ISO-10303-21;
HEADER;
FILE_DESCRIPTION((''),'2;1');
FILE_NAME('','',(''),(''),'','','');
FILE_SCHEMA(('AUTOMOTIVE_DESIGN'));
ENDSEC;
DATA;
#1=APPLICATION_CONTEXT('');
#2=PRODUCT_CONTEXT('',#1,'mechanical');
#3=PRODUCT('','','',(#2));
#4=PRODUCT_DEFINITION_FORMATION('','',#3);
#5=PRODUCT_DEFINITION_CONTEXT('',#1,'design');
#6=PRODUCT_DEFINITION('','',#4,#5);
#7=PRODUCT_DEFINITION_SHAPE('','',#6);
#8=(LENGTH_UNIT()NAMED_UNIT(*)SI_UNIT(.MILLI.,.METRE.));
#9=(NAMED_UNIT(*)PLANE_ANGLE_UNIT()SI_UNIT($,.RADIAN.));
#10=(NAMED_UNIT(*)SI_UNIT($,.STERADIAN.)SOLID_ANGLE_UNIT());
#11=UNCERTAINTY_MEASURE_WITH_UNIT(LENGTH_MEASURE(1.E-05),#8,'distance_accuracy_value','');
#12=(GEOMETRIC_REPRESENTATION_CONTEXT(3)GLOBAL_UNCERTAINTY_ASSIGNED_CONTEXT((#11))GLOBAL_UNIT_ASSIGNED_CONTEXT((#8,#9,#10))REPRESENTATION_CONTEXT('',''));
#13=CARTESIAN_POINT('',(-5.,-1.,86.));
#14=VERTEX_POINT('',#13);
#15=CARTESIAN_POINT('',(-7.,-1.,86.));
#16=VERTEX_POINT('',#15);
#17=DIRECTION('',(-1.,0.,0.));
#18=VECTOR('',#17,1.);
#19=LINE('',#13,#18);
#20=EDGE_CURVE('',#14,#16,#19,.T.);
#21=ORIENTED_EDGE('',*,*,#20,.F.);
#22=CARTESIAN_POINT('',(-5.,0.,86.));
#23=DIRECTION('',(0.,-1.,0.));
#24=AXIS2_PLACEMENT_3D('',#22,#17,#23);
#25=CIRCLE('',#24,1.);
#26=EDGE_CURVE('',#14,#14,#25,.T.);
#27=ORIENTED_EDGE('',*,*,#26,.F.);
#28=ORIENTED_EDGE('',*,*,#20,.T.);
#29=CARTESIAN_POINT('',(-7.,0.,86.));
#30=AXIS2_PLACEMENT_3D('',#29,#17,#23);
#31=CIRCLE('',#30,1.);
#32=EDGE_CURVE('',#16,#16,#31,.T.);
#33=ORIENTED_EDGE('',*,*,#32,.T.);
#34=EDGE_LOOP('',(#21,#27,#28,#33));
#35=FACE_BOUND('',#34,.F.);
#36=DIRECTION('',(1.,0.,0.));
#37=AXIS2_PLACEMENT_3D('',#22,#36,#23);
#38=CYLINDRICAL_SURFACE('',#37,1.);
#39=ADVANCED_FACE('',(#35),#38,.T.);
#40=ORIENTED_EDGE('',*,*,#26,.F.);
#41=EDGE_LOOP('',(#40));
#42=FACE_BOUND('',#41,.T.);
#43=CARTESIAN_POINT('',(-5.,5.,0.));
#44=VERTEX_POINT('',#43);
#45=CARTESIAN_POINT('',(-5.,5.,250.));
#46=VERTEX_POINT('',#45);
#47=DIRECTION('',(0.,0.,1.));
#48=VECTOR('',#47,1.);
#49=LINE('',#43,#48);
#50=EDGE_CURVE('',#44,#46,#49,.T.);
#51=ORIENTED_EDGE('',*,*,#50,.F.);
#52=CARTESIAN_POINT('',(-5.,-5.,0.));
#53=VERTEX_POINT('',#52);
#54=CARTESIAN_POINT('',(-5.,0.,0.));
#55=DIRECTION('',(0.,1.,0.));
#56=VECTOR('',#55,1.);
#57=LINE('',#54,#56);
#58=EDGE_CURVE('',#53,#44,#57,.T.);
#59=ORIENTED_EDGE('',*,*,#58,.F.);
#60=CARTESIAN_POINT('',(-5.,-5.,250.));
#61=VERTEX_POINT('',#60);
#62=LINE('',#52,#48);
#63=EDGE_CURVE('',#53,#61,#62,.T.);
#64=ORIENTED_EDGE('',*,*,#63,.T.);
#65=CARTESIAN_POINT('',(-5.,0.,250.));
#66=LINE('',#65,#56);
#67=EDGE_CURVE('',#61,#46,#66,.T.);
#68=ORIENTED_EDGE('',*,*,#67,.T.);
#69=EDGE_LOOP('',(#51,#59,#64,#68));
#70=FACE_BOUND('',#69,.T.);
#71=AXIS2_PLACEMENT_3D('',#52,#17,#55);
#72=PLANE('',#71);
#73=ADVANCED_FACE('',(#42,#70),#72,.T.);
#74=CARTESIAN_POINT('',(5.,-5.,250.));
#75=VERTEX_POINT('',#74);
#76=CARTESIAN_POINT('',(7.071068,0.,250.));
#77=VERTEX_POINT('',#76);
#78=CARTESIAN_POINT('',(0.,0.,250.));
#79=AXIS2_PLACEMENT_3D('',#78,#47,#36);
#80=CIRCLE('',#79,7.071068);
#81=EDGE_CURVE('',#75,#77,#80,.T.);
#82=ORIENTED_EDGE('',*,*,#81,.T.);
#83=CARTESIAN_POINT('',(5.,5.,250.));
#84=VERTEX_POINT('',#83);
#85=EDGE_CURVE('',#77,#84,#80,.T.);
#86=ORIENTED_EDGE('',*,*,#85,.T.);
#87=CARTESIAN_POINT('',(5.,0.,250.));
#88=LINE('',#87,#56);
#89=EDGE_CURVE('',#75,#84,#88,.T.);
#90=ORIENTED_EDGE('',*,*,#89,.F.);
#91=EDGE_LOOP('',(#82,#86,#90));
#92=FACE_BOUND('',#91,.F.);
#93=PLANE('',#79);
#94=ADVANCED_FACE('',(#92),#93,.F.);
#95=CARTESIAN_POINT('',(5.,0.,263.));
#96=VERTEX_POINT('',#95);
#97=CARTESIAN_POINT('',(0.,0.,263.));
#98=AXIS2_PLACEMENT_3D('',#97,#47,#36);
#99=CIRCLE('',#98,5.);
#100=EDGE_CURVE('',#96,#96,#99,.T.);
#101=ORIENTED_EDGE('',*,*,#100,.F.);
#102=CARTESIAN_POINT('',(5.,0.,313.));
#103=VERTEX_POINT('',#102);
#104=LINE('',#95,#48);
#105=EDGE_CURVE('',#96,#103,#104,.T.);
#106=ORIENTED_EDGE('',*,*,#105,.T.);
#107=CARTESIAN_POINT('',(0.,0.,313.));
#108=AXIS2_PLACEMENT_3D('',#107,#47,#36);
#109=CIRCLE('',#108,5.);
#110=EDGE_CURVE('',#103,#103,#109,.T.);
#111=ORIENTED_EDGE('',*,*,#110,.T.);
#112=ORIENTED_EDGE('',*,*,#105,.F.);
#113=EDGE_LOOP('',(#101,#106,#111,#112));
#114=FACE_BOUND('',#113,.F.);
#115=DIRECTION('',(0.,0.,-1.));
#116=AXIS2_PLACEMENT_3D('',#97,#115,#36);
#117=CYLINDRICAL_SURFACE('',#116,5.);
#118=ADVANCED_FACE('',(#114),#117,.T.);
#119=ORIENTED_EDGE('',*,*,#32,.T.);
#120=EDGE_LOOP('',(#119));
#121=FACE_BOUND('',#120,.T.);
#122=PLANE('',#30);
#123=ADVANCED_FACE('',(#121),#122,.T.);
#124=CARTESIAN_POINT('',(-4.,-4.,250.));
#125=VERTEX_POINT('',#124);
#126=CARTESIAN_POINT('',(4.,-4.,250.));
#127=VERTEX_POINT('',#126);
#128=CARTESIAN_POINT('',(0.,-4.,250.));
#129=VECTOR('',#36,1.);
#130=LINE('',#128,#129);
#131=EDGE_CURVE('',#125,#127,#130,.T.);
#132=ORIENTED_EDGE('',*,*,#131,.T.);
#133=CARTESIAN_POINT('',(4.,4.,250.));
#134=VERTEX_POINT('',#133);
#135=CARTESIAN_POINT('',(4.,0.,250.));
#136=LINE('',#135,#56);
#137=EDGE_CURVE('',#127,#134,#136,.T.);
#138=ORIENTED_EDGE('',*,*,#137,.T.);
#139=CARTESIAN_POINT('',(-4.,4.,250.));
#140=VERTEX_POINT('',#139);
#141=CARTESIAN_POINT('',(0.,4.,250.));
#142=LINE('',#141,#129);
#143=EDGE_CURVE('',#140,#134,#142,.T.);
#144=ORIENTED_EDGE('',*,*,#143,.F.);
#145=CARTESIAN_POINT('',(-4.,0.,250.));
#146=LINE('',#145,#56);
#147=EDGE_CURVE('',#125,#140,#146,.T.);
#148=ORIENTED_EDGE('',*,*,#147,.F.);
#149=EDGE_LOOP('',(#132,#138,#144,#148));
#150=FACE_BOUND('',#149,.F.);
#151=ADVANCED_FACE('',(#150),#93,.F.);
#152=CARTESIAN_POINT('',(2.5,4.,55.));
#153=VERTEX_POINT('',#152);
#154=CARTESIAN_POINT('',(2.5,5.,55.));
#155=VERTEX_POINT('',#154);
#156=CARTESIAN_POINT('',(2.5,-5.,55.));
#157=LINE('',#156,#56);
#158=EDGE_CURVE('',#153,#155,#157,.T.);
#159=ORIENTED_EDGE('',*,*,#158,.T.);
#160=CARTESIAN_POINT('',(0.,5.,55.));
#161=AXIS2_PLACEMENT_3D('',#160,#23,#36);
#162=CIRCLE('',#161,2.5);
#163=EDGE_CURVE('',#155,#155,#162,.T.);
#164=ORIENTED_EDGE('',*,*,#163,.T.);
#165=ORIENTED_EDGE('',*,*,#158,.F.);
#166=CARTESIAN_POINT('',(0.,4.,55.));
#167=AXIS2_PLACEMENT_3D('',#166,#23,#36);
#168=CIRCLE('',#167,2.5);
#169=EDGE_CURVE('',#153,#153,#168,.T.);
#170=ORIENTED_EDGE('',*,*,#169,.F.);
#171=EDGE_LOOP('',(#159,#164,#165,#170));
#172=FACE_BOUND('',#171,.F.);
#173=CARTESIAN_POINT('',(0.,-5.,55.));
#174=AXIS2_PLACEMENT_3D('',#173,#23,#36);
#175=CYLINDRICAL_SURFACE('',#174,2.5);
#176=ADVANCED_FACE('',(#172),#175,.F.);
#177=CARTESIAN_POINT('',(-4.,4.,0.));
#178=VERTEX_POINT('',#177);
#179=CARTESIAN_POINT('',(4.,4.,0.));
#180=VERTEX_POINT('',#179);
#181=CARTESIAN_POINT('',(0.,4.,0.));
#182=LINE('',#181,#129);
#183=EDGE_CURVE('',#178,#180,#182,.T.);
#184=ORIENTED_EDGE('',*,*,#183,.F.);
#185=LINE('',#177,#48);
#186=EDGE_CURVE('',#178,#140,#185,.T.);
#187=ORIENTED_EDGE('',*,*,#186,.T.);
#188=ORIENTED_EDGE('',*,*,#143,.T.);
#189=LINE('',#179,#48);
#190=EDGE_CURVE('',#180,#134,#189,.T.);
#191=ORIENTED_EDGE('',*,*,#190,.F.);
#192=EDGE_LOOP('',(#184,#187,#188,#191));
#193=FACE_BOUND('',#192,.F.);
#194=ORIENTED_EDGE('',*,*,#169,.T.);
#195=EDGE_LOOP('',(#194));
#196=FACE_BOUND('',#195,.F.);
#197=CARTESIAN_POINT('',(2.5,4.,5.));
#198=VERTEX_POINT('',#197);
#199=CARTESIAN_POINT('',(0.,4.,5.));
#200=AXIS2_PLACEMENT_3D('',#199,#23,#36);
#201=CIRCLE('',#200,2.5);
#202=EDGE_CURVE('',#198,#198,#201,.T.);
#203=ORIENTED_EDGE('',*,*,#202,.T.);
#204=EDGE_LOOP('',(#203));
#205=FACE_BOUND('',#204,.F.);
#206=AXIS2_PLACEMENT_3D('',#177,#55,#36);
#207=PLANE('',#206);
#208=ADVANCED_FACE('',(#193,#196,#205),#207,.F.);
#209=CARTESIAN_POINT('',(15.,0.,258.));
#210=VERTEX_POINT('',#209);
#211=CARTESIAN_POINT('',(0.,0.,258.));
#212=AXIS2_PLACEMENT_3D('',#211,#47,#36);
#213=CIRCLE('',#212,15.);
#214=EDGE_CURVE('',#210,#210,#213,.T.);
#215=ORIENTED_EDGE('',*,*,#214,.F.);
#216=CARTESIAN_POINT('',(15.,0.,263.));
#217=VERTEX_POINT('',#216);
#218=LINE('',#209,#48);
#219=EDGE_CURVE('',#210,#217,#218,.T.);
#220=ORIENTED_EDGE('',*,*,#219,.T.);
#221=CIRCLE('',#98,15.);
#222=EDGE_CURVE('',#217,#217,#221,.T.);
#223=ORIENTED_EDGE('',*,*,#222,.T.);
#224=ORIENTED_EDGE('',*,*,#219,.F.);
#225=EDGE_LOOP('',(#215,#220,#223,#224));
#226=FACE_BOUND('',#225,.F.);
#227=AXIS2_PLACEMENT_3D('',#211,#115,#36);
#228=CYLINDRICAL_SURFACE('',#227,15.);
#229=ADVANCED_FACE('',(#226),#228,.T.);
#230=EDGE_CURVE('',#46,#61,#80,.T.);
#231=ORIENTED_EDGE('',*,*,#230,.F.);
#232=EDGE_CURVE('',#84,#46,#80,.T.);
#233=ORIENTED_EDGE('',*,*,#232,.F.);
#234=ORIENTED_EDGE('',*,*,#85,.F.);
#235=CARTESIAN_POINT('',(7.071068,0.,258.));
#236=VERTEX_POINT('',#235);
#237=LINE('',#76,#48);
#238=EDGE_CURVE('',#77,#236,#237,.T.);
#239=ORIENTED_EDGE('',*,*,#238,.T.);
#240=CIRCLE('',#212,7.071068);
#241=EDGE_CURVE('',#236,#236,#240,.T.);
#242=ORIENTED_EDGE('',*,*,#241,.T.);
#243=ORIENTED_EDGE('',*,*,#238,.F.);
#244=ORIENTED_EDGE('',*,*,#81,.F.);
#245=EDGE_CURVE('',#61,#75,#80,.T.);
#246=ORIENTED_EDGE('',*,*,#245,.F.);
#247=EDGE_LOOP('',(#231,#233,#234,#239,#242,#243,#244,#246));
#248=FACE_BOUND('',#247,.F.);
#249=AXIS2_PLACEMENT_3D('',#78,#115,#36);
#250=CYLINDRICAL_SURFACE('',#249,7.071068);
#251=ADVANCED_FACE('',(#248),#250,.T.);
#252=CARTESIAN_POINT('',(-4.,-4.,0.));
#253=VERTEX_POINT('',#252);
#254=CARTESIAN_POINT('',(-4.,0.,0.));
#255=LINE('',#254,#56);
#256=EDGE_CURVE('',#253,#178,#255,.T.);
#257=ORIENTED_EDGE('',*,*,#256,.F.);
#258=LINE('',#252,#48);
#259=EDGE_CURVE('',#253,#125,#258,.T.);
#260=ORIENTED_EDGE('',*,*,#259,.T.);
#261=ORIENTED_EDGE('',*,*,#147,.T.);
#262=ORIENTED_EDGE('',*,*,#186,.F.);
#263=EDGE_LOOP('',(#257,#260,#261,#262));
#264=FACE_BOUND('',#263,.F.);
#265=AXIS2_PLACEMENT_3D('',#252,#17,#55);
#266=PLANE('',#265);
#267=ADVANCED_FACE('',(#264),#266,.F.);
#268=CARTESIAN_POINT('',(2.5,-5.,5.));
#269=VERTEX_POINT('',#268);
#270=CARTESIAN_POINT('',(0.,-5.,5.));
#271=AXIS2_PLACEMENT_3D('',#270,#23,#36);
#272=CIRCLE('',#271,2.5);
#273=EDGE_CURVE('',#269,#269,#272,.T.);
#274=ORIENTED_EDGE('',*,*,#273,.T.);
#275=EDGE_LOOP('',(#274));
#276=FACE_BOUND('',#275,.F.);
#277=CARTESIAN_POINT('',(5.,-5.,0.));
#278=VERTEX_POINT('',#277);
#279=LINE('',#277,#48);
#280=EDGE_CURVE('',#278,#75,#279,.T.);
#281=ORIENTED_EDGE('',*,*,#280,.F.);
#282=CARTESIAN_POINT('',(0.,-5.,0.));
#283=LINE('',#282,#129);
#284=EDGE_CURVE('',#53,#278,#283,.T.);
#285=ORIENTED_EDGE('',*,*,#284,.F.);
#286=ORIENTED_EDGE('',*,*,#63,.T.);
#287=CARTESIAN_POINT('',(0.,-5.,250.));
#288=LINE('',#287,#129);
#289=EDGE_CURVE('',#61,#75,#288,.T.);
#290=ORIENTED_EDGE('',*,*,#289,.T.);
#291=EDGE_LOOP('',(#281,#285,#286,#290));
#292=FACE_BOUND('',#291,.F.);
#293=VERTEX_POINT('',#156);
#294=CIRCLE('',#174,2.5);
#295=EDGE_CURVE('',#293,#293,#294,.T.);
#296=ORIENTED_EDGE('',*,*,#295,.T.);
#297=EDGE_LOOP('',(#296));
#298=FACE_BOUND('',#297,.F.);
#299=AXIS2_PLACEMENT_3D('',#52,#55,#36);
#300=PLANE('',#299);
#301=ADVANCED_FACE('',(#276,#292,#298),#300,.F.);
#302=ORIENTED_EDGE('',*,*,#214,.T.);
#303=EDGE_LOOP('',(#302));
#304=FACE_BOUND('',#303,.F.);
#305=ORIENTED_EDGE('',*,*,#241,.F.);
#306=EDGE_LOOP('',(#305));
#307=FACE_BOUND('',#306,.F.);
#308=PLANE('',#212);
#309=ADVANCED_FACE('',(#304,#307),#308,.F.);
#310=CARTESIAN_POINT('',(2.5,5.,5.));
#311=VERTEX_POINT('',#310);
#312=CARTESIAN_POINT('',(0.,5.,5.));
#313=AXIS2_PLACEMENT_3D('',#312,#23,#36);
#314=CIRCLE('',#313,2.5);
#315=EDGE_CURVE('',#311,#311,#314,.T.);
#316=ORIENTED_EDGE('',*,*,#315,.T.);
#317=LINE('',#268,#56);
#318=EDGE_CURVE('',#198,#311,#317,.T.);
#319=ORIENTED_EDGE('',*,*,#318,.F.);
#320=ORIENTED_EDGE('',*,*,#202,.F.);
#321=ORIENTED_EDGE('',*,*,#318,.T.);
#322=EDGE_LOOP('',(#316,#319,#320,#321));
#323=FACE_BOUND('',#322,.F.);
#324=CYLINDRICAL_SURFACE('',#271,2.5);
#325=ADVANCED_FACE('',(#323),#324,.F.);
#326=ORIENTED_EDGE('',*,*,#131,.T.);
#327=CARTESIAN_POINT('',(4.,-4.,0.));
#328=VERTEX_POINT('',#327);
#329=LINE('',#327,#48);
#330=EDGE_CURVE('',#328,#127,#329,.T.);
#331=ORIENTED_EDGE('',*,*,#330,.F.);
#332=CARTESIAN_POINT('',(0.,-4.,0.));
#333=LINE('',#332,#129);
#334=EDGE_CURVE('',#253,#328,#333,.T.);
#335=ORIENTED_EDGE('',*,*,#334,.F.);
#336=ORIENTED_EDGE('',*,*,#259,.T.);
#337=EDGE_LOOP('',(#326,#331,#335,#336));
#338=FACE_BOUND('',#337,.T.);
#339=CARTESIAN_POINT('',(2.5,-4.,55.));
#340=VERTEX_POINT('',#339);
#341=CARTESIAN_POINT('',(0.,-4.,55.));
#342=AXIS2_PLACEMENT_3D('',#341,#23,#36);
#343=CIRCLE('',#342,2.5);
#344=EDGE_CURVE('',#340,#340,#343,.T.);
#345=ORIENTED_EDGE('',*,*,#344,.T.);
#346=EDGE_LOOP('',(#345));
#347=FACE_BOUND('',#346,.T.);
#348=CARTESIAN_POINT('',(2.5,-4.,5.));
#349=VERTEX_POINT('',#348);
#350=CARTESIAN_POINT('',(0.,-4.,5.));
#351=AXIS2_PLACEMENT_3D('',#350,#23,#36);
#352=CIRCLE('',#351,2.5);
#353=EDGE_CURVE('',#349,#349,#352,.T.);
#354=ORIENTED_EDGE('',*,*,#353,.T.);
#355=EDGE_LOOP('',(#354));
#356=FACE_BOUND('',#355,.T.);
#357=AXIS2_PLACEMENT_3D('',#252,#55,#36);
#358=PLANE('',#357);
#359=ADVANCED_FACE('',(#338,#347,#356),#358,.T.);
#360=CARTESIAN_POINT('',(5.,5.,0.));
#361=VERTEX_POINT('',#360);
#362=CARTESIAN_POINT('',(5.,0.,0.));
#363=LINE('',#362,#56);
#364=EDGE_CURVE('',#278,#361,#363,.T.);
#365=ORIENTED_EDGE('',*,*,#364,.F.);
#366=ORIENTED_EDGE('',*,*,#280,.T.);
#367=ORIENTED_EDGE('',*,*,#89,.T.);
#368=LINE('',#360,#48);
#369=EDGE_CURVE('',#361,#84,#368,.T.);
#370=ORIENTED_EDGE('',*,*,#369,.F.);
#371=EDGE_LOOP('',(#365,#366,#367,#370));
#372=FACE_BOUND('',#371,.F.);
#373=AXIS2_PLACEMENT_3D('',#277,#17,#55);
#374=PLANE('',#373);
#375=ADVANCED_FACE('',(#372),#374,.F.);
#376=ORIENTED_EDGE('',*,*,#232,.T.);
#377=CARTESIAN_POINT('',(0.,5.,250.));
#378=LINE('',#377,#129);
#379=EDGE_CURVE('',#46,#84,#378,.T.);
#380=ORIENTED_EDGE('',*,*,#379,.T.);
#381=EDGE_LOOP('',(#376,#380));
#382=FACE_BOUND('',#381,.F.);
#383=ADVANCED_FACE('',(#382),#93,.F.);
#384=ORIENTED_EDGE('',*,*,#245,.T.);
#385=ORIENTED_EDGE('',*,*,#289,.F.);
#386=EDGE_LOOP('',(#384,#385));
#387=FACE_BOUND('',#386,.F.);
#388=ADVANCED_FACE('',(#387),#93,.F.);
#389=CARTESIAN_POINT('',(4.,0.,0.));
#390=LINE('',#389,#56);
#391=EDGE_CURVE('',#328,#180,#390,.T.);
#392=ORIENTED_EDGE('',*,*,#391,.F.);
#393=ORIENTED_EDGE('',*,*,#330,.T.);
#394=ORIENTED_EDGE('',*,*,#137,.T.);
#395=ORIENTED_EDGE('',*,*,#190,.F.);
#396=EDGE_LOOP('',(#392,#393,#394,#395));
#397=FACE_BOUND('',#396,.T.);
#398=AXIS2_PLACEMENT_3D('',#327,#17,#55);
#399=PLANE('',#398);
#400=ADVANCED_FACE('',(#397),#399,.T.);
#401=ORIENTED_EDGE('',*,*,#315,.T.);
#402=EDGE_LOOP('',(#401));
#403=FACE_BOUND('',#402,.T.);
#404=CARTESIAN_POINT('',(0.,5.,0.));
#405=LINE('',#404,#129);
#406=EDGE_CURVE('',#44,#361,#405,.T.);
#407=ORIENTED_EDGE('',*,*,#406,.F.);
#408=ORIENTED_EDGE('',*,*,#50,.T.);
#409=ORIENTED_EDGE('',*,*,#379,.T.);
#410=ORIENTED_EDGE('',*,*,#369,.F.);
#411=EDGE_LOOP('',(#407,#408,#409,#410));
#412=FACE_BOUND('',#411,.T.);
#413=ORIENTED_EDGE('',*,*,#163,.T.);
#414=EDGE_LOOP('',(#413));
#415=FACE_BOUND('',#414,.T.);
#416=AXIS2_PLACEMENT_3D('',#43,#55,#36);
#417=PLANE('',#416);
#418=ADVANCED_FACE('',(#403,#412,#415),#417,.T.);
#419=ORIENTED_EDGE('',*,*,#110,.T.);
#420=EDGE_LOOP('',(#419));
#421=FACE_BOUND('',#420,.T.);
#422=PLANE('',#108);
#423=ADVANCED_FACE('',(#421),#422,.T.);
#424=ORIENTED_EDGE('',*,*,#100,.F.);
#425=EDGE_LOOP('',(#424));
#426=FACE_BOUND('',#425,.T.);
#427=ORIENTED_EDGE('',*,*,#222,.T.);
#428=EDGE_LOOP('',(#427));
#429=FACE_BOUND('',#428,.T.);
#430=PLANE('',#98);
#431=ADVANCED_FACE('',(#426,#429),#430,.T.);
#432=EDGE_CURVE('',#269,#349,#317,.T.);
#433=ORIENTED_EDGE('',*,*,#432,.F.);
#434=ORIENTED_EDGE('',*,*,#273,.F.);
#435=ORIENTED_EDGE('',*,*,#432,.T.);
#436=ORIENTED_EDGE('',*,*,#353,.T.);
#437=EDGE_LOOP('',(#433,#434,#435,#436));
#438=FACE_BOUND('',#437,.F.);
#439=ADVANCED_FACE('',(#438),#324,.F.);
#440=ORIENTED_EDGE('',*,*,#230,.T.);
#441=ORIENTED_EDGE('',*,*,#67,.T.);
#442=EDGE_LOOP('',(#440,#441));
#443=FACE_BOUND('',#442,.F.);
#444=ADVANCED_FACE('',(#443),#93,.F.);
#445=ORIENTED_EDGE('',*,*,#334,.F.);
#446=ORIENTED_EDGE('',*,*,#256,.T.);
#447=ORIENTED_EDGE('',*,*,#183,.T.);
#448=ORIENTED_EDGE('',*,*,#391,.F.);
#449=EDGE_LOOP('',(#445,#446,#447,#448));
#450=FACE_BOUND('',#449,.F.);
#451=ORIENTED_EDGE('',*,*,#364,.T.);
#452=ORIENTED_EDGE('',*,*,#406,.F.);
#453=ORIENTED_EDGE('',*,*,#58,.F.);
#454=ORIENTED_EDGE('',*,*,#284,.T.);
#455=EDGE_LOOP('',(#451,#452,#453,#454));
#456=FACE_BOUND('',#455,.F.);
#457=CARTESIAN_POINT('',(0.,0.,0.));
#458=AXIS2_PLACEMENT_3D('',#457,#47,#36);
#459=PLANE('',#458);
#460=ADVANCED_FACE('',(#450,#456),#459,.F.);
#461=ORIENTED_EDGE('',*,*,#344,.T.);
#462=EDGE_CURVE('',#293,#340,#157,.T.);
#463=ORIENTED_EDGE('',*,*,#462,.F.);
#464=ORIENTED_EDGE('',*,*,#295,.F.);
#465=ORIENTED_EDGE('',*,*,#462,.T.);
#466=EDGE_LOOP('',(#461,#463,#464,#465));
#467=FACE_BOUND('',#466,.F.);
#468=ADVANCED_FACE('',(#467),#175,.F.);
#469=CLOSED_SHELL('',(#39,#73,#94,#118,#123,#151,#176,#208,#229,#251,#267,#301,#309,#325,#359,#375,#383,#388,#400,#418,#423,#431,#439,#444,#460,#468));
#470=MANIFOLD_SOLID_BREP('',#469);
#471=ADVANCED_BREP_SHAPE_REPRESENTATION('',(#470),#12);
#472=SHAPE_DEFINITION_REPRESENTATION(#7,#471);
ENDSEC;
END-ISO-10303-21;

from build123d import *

# Parameters (mm, degrees)
SKETCH_W     = 10
SKETCH_H     = 10
SKETCH_W_2   = 8
SKETCH_H_2   = 8
PAD_DEPTH    = 250
SKETCH001_R  = 2.5
POCKET_DEPTH = 10.001
SKETCH002_R  = 1
PAD001_DEPTH = 2
SKETCH003_R  = 7.071068
PAD002_DEPTH = 8
SKETCH004_R  = 15
PAD003_DEPTH = 5
SKETCH005_R  = 5
PAD004_DEPTH = 50


with BuildPart() as part:
    # Sketch → Pad (new body)
    with BuildSketch(Plane.XY):
        Rectangle(SKETCH_W, SKETCH_H)
        Rectangle(SKETCH_W_2, SKETCH_H_2, mode=Mode.SUBTRACT)
    extrude(amount=PAD_DEPTH)

    # Sketch001 (on Face3 of Pad) → Pocket (cut, through all)
    with BuildSketch(Plane.XZ.offset(5)):
        with Locations((0, 5)):
            Circle(SKETCH001_R)
        with Locations((0, 55)):
            Circle(SKETCH001_R)
    extrude(amount=-POCKET_DEPTH, mode=Mode.SUBTRACT)

    # Sketch002 (on Face2 of Pocket) → Pad001 (join)
    with BuildSketch(Plane(origin=(-5, 0, 0), x_dir=(0, -1, 0), z_dir=(-1, 0, 0))):
        with Locations((0, 86)):
            Circle(SKETCH002_R)
    extrude(amount=PAD001_DEPTH)

    # Sketch003 (on Face4 of Pad001) → Pad002 (join)
    with BuildSketch(Plane.XY.offset(250)):
        Circle(SKETCH003_R)
    extrude(amount=PAD002_DEPTH)

    # Sketch004 (on Face6 of Pad002) → Pad003 (join)
    with BuildSketch(Plane.XY.offset(258)):
        Circle(SKETCH004_R)
    extrude(amount=PAD003_DEPTH)

    # Sketch005 (on Face3 of Pad003) → Pad004 (join)
    with BuildSketch(Plane.XY.offset(263)):
        Circle(SKETCH005_R)
    extrude(amount=PAD004_DEPTH)


solid = part.part
